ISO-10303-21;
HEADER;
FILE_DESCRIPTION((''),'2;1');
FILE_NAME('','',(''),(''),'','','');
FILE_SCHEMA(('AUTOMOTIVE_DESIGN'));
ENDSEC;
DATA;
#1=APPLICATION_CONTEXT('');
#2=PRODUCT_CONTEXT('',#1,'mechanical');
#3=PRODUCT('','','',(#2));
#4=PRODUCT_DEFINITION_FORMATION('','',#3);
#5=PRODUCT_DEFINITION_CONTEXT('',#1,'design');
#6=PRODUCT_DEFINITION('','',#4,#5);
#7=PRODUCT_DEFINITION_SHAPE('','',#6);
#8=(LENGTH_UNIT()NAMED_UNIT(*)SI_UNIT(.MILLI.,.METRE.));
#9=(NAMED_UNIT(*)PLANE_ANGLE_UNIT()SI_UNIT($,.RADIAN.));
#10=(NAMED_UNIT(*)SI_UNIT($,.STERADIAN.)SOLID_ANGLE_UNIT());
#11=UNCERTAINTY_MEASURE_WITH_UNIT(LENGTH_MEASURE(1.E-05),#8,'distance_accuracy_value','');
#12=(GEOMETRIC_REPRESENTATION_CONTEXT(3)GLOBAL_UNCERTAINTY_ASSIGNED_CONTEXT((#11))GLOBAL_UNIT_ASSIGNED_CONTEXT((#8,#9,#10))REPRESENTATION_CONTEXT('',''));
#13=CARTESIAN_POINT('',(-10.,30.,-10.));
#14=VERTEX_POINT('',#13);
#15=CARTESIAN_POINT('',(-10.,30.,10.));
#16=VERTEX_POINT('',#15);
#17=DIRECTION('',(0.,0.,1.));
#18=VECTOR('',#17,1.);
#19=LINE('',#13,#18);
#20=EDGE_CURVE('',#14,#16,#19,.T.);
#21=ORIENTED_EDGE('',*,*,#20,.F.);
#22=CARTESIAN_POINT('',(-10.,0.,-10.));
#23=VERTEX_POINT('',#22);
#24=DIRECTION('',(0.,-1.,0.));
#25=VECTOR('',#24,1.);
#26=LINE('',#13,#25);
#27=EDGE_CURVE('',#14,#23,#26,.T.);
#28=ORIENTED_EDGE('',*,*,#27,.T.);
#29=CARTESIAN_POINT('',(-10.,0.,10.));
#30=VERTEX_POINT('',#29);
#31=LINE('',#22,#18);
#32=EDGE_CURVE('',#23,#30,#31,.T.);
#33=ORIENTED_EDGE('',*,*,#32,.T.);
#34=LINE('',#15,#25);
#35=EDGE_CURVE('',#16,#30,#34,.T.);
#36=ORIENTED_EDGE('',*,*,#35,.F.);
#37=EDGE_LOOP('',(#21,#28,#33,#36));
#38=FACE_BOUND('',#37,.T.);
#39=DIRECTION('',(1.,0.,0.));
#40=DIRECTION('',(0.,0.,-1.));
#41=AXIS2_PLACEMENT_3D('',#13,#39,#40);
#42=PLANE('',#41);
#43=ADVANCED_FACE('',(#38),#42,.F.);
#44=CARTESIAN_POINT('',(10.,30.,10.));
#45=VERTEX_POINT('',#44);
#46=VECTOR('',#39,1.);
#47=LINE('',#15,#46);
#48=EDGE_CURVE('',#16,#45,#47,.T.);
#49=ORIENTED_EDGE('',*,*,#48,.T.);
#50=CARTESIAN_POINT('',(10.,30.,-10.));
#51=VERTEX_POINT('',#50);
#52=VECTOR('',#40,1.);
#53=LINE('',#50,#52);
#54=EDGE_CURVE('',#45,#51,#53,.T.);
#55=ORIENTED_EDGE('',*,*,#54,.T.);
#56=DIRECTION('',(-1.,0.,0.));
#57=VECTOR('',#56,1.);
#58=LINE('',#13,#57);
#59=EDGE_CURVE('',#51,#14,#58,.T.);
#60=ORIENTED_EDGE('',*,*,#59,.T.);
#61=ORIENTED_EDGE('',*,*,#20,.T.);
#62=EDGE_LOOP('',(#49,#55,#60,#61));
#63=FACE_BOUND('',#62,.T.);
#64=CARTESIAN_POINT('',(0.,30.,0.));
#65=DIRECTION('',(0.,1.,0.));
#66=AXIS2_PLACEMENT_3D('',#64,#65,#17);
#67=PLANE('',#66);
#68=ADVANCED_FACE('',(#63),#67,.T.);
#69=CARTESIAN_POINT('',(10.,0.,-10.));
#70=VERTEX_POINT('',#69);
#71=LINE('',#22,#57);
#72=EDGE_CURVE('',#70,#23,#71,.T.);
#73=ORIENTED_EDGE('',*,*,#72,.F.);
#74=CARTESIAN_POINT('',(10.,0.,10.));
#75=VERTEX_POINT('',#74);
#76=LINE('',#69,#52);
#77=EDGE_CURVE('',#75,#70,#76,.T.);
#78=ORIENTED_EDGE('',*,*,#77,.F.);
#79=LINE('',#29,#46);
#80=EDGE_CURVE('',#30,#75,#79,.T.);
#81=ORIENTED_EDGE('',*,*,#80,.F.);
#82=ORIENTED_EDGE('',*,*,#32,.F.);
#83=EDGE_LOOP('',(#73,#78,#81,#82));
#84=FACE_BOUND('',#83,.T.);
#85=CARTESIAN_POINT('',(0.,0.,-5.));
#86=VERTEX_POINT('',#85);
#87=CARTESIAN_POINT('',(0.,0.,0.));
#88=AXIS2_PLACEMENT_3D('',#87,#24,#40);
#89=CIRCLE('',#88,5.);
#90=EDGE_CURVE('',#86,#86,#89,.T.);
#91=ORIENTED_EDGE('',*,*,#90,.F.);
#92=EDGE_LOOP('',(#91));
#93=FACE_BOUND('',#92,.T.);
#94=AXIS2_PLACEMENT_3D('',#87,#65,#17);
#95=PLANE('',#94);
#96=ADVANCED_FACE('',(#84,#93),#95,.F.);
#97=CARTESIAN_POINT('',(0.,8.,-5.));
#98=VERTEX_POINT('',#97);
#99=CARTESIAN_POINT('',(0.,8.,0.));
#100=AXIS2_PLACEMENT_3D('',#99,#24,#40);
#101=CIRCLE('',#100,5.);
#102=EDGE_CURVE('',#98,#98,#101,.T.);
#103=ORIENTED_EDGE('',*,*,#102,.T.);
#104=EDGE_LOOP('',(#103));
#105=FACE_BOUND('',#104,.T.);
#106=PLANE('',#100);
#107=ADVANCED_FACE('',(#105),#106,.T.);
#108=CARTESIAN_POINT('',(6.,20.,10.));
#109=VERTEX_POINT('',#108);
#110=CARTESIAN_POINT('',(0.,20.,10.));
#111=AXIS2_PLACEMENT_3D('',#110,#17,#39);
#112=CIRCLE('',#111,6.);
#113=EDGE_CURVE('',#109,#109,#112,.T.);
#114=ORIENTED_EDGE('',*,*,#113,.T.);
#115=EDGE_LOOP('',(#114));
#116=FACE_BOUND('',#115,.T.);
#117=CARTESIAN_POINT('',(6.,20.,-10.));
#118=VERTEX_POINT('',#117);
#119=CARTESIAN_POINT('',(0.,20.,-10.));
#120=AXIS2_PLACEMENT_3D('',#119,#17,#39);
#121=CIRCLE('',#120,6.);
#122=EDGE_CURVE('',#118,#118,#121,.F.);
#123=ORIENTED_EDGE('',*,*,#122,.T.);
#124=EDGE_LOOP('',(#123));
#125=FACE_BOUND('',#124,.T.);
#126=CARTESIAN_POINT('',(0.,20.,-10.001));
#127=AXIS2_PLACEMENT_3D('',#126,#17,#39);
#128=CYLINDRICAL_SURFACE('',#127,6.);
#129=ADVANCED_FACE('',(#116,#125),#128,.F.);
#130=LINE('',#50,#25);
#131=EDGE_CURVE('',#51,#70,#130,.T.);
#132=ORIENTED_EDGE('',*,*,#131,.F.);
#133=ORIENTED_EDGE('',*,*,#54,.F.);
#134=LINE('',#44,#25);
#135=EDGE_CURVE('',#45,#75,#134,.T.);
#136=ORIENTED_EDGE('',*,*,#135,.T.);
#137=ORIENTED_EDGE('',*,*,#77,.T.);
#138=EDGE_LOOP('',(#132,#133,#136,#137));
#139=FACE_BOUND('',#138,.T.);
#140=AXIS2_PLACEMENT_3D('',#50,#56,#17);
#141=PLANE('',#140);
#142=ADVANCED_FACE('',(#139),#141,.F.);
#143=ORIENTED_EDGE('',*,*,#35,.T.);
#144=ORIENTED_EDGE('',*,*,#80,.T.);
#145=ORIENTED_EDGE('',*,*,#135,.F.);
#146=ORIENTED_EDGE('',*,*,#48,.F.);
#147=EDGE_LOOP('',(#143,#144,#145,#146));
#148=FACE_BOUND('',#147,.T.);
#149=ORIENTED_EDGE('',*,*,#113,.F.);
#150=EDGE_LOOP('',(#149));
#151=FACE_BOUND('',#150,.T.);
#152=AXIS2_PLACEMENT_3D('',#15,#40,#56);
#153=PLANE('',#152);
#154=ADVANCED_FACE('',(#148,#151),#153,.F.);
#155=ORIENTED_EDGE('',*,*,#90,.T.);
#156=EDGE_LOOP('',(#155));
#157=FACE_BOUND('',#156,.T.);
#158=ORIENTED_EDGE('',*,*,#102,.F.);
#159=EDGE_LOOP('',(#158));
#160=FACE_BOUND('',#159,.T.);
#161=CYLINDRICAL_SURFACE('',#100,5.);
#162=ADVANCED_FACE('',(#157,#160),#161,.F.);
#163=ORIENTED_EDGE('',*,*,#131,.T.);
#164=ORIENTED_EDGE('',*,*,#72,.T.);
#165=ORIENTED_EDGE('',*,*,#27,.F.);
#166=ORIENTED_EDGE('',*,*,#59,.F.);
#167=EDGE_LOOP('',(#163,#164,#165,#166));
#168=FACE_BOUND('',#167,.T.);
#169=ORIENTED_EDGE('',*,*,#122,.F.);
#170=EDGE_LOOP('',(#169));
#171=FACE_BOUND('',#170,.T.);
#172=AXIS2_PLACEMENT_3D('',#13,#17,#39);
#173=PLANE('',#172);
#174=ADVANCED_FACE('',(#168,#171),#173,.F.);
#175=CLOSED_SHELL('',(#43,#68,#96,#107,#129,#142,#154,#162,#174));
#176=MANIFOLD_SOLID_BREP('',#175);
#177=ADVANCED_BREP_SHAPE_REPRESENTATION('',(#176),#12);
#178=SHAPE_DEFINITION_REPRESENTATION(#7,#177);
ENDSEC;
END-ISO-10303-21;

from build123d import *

# Parameters (mm, degrees)
SKETCH1_W           = 20
SKETCH1_H           = 20
BOSS_EXTRUDE2_DEPTH = 30
CUT_EXTRUDE1_REACH  = 22
SKETCH2_R           = 6
SKETCH3_R           = 5
CUT_EXTRUDE2_DEPTH  = 8


with BuildPart() as part:
    # Sketch1 → Boss-Extrude2 (new body)
    with BuildSketch(Plane(origin=(0, 0, 0), x_dir=(1, 0, 0), z_dir=(0, 1, 0))):
        Rectangle(SKETCH1_W, SKETCH1_H)
    extrude(amount=BOSS_EXTRUDE2_DEPTH)

    # Sketch2 → Cut-Extrude1 (cut, up to next)
    with BuildSketch(Plane.XY.offset(10), mode=Mode.PRIVATE) as cut_extrude1_sk1:
        with Locations((0, 20)):
            Circle(SKETCH2_R)
    cut_extrude1_tool1 = extrude(cut_extrude1_sk1.sketch, amount=-CUT_EXTRUDE1_REACH, mode=Mode.PRIVATE) & part.part
    add(cut_extrude1_tool1.solids().sort_by_distance((0, 20, 10))[0], mode=Mode.SUBTRACT)

    # Sketch3 → Cut-Extrude2 (cut)
    with BuildSketch(Plane.XZ):
        Circle(SKETCH3_R)
    extrude(amount=-CUT_EXTRUDE2_DEPTH, mode=Mode.SUBTRACT)


solid = part.part
